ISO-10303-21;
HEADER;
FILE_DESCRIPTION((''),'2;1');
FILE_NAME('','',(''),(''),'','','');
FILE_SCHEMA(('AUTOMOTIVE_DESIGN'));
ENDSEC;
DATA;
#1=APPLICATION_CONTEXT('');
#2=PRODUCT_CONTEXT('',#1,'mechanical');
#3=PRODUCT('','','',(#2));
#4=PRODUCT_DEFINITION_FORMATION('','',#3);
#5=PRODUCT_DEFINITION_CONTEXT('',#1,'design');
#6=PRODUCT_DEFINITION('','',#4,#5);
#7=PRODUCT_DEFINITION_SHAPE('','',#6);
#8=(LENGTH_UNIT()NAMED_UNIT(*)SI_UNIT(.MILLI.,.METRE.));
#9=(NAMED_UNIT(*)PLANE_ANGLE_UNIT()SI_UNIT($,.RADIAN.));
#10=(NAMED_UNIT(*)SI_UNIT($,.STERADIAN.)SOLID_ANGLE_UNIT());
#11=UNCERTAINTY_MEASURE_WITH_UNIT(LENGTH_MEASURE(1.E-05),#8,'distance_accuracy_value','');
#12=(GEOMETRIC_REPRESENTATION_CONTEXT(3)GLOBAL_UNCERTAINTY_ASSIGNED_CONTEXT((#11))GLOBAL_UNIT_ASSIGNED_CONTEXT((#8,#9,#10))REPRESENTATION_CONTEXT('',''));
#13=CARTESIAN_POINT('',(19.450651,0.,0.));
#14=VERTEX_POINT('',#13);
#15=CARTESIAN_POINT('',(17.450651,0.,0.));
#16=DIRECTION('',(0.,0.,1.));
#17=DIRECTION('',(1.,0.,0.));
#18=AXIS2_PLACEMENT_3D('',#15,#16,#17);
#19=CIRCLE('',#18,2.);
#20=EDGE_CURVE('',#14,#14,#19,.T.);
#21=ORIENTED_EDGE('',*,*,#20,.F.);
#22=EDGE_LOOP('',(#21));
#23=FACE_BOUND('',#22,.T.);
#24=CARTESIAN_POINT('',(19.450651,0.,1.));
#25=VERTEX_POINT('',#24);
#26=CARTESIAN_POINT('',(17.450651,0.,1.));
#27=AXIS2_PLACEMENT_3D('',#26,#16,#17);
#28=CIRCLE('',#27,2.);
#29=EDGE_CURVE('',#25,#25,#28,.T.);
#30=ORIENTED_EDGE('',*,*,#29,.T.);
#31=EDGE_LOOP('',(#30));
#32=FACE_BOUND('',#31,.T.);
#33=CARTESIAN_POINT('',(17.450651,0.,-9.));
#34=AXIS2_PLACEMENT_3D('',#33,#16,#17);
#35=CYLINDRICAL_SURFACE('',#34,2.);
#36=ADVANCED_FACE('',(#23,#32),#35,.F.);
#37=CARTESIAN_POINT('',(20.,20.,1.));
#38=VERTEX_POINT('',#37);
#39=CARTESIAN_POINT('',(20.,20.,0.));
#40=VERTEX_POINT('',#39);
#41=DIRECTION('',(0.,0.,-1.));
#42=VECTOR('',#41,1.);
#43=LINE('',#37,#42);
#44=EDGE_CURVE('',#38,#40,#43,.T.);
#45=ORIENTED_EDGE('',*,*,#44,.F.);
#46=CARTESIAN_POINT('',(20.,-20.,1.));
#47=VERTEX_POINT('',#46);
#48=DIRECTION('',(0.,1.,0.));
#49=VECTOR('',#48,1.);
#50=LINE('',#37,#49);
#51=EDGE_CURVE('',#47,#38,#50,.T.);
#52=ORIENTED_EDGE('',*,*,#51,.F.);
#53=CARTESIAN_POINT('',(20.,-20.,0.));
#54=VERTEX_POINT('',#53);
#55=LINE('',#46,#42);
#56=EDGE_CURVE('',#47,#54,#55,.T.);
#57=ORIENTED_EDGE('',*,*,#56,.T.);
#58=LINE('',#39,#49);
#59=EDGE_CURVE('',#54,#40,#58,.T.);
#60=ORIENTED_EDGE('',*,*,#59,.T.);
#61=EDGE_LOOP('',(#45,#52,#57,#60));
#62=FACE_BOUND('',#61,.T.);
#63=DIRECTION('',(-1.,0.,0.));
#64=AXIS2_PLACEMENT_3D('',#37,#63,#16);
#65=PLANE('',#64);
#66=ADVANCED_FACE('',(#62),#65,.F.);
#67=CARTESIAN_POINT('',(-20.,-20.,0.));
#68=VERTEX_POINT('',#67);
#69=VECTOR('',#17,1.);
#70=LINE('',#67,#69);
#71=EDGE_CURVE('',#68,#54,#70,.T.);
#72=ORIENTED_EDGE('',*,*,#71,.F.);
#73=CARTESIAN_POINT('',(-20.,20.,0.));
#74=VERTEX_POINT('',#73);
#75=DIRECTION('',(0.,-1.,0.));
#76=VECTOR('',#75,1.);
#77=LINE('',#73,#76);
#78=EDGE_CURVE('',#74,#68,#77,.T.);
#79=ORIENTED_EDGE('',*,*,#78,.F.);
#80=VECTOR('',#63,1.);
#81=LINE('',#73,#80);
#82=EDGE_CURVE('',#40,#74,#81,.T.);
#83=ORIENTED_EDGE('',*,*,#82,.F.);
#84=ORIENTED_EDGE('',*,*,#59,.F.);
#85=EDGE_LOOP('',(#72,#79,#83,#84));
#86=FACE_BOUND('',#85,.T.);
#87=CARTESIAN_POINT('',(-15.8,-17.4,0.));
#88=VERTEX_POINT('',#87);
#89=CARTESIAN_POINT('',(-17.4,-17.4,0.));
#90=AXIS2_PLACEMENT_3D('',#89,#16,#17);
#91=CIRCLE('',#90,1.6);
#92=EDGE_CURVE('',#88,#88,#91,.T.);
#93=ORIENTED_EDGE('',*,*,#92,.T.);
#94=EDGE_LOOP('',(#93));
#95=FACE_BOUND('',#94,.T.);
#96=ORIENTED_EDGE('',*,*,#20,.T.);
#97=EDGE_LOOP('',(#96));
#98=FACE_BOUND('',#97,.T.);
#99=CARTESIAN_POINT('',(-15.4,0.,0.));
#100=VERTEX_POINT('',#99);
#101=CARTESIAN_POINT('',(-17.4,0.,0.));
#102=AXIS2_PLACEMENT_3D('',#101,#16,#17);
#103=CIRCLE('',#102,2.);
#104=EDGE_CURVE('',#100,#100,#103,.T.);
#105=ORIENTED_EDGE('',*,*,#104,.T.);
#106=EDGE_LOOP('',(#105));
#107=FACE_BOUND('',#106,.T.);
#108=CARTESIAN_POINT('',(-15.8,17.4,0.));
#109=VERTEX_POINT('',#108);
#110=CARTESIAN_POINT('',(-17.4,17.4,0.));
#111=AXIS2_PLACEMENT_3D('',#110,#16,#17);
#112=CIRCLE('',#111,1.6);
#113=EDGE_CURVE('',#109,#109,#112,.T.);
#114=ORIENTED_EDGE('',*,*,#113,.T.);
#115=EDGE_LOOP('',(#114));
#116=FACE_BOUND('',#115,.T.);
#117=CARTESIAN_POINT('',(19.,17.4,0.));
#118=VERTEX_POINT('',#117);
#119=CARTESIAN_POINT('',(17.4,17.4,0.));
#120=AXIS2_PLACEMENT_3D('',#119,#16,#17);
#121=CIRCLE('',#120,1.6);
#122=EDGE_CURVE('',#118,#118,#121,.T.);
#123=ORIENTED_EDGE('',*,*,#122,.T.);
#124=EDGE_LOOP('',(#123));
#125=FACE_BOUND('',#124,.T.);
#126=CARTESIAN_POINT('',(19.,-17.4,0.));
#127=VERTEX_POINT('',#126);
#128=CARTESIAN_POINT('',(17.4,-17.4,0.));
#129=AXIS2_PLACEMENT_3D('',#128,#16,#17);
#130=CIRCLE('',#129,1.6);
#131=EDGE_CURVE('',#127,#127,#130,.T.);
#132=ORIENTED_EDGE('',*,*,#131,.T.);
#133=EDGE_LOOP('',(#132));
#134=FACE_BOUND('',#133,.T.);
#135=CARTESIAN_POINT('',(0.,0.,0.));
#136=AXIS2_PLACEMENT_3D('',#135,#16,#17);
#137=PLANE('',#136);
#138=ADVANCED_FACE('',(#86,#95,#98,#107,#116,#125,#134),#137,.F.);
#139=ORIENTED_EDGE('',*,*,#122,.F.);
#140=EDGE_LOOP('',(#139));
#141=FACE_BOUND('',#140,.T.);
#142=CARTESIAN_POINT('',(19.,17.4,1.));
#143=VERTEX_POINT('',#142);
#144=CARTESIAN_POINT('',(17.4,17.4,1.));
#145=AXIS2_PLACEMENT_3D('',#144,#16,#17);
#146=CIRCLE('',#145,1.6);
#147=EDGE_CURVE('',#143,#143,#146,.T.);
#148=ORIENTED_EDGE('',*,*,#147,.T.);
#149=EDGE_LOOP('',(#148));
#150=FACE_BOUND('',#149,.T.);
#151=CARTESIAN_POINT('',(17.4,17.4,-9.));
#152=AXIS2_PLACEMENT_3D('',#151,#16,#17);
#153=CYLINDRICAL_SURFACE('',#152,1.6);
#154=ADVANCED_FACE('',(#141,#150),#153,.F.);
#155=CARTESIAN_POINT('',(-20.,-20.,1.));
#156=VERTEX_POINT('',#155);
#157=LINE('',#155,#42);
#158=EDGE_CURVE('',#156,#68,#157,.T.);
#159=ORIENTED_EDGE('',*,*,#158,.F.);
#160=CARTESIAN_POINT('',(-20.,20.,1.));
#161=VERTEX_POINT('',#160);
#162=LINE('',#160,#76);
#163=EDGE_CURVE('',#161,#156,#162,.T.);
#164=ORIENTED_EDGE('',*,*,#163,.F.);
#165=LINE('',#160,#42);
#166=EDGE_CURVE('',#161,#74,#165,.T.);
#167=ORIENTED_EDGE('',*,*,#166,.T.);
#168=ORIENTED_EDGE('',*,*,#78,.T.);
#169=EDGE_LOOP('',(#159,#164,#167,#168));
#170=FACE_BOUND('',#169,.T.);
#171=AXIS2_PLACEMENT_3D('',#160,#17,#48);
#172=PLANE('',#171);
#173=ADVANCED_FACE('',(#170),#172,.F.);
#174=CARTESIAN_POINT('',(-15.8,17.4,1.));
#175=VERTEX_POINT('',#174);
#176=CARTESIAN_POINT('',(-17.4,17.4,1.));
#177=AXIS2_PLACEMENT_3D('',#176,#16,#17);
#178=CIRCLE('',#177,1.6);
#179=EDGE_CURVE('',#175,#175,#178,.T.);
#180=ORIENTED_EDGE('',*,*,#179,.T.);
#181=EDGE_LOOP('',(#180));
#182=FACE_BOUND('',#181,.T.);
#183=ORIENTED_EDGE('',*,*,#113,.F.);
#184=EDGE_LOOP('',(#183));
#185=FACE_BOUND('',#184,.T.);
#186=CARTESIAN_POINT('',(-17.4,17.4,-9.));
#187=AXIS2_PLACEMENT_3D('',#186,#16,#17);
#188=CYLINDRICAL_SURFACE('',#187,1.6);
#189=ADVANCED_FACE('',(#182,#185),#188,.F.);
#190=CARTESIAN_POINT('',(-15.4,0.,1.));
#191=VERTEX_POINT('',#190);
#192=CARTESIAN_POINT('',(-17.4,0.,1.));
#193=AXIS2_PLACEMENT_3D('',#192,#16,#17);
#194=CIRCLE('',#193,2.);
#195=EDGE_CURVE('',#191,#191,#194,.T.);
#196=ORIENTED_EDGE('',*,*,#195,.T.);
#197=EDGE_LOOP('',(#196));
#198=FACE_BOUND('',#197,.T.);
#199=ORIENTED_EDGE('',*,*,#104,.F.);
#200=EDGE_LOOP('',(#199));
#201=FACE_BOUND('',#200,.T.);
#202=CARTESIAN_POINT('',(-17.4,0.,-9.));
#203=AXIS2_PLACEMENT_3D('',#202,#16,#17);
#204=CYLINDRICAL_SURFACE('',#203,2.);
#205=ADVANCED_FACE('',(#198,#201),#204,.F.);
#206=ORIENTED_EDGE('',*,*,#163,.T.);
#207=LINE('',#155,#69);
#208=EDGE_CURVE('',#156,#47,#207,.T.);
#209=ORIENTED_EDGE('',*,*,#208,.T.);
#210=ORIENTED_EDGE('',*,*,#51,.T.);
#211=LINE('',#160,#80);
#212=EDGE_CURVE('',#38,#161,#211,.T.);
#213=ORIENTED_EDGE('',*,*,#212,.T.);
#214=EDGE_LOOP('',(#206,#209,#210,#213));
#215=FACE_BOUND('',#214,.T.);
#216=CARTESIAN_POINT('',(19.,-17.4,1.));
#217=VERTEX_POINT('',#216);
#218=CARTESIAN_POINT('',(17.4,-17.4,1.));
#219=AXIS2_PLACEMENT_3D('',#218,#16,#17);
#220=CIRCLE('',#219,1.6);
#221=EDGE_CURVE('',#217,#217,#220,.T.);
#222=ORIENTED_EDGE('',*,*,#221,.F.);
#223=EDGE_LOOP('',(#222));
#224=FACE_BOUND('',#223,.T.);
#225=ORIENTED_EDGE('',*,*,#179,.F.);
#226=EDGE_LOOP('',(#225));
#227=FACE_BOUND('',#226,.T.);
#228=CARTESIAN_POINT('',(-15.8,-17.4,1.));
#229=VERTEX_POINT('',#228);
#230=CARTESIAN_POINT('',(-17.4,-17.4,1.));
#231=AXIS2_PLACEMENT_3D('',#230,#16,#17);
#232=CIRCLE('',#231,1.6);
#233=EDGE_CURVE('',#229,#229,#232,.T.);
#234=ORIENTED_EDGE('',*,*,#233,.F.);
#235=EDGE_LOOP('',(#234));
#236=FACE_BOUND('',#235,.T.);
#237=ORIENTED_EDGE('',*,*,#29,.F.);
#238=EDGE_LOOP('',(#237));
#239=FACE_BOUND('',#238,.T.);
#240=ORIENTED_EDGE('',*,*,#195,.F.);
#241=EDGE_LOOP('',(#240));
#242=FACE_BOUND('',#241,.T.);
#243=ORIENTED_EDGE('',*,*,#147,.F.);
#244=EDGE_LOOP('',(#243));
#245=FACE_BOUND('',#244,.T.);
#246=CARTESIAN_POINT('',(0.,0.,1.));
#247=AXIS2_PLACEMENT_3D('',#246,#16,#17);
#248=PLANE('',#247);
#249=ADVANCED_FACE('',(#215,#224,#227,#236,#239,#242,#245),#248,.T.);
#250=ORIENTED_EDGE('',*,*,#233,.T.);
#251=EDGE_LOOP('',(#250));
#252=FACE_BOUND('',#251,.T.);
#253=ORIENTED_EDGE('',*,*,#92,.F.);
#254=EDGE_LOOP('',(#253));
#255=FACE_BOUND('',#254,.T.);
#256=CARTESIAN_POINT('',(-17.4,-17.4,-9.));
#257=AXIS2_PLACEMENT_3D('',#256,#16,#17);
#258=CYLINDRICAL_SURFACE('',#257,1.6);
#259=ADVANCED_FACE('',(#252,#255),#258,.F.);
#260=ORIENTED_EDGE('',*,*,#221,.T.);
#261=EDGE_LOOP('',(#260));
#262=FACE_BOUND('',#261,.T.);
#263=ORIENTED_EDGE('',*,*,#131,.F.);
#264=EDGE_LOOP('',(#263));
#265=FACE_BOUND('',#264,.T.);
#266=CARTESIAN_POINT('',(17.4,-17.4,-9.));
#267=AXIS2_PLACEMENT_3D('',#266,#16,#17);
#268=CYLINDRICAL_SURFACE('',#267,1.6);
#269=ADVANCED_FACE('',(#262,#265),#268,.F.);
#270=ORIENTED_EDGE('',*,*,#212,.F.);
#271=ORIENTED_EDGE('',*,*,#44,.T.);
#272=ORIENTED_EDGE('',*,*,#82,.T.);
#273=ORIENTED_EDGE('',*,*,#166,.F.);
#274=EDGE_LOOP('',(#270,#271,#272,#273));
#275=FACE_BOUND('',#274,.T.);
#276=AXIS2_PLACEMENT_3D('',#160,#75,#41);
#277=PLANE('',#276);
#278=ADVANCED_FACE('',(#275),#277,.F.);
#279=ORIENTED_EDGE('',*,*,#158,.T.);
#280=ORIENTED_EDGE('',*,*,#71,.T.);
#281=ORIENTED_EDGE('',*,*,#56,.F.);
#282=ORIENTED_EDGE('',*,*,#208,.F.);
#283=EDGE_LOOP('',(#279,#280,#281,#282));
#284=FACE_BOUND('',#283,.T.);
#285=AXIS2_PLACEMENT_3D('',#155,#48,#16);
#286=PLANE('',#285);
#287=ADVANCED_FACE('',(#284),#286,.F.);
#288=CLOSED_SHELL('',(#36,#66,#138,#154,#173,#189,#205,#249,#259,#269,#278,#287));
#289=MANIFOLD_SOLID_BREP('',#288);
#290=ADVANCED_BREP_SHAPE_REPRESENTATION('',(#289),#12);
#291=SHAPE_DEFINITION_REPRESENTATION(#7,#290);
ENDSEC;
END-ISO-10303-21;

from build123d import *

# Parameters (mm, degrees)
SKETCH1_W           = 40
SKETCH1_H           = 40
BOSS_EXTRUDE1_DEPTH = 1
SKETCH2_R           = 1.6
SKETCH2_R_2         = 2
CUT_EXTRUDE1_DEPTH  = 10


with BuildPart() as part:
    # Sketch1 → Boss-Extrude1 (new body)
    with BuildSketch(Plane.XY):
        Rectangle(SKETCH1_W, SKETCH1_H)
    extrude(amount=BOSS_EXTRUDE1_DEPTH)

    # Sketch2 → Cut-Extrude1 (cut)
    with BuildSketch(Plane.XY.offset(1)):
        with Locations((-17.4, -17.4)):
            Circle(SKETCH2_R)
        with Locations((17.4, -17.4)):
            Circle(SKETCH2_R)
        with Locations((17.4, 17.4)):
            Circle(SKETCH2_R)
        with Locations((-17.4, 17.4)):
            Circle(SKETCH2_R)
        with Locations((17.450650527, 0)):
            Circle(SKETCH2_R_2)
        with Locations((-17.4, 0)):
            Circle(SKETCH2_R_2)
    extrude(amount=-CUT_EXTRUDE1_DEPTH, mode=Mode.SUBTRACT)


solid = part.part
